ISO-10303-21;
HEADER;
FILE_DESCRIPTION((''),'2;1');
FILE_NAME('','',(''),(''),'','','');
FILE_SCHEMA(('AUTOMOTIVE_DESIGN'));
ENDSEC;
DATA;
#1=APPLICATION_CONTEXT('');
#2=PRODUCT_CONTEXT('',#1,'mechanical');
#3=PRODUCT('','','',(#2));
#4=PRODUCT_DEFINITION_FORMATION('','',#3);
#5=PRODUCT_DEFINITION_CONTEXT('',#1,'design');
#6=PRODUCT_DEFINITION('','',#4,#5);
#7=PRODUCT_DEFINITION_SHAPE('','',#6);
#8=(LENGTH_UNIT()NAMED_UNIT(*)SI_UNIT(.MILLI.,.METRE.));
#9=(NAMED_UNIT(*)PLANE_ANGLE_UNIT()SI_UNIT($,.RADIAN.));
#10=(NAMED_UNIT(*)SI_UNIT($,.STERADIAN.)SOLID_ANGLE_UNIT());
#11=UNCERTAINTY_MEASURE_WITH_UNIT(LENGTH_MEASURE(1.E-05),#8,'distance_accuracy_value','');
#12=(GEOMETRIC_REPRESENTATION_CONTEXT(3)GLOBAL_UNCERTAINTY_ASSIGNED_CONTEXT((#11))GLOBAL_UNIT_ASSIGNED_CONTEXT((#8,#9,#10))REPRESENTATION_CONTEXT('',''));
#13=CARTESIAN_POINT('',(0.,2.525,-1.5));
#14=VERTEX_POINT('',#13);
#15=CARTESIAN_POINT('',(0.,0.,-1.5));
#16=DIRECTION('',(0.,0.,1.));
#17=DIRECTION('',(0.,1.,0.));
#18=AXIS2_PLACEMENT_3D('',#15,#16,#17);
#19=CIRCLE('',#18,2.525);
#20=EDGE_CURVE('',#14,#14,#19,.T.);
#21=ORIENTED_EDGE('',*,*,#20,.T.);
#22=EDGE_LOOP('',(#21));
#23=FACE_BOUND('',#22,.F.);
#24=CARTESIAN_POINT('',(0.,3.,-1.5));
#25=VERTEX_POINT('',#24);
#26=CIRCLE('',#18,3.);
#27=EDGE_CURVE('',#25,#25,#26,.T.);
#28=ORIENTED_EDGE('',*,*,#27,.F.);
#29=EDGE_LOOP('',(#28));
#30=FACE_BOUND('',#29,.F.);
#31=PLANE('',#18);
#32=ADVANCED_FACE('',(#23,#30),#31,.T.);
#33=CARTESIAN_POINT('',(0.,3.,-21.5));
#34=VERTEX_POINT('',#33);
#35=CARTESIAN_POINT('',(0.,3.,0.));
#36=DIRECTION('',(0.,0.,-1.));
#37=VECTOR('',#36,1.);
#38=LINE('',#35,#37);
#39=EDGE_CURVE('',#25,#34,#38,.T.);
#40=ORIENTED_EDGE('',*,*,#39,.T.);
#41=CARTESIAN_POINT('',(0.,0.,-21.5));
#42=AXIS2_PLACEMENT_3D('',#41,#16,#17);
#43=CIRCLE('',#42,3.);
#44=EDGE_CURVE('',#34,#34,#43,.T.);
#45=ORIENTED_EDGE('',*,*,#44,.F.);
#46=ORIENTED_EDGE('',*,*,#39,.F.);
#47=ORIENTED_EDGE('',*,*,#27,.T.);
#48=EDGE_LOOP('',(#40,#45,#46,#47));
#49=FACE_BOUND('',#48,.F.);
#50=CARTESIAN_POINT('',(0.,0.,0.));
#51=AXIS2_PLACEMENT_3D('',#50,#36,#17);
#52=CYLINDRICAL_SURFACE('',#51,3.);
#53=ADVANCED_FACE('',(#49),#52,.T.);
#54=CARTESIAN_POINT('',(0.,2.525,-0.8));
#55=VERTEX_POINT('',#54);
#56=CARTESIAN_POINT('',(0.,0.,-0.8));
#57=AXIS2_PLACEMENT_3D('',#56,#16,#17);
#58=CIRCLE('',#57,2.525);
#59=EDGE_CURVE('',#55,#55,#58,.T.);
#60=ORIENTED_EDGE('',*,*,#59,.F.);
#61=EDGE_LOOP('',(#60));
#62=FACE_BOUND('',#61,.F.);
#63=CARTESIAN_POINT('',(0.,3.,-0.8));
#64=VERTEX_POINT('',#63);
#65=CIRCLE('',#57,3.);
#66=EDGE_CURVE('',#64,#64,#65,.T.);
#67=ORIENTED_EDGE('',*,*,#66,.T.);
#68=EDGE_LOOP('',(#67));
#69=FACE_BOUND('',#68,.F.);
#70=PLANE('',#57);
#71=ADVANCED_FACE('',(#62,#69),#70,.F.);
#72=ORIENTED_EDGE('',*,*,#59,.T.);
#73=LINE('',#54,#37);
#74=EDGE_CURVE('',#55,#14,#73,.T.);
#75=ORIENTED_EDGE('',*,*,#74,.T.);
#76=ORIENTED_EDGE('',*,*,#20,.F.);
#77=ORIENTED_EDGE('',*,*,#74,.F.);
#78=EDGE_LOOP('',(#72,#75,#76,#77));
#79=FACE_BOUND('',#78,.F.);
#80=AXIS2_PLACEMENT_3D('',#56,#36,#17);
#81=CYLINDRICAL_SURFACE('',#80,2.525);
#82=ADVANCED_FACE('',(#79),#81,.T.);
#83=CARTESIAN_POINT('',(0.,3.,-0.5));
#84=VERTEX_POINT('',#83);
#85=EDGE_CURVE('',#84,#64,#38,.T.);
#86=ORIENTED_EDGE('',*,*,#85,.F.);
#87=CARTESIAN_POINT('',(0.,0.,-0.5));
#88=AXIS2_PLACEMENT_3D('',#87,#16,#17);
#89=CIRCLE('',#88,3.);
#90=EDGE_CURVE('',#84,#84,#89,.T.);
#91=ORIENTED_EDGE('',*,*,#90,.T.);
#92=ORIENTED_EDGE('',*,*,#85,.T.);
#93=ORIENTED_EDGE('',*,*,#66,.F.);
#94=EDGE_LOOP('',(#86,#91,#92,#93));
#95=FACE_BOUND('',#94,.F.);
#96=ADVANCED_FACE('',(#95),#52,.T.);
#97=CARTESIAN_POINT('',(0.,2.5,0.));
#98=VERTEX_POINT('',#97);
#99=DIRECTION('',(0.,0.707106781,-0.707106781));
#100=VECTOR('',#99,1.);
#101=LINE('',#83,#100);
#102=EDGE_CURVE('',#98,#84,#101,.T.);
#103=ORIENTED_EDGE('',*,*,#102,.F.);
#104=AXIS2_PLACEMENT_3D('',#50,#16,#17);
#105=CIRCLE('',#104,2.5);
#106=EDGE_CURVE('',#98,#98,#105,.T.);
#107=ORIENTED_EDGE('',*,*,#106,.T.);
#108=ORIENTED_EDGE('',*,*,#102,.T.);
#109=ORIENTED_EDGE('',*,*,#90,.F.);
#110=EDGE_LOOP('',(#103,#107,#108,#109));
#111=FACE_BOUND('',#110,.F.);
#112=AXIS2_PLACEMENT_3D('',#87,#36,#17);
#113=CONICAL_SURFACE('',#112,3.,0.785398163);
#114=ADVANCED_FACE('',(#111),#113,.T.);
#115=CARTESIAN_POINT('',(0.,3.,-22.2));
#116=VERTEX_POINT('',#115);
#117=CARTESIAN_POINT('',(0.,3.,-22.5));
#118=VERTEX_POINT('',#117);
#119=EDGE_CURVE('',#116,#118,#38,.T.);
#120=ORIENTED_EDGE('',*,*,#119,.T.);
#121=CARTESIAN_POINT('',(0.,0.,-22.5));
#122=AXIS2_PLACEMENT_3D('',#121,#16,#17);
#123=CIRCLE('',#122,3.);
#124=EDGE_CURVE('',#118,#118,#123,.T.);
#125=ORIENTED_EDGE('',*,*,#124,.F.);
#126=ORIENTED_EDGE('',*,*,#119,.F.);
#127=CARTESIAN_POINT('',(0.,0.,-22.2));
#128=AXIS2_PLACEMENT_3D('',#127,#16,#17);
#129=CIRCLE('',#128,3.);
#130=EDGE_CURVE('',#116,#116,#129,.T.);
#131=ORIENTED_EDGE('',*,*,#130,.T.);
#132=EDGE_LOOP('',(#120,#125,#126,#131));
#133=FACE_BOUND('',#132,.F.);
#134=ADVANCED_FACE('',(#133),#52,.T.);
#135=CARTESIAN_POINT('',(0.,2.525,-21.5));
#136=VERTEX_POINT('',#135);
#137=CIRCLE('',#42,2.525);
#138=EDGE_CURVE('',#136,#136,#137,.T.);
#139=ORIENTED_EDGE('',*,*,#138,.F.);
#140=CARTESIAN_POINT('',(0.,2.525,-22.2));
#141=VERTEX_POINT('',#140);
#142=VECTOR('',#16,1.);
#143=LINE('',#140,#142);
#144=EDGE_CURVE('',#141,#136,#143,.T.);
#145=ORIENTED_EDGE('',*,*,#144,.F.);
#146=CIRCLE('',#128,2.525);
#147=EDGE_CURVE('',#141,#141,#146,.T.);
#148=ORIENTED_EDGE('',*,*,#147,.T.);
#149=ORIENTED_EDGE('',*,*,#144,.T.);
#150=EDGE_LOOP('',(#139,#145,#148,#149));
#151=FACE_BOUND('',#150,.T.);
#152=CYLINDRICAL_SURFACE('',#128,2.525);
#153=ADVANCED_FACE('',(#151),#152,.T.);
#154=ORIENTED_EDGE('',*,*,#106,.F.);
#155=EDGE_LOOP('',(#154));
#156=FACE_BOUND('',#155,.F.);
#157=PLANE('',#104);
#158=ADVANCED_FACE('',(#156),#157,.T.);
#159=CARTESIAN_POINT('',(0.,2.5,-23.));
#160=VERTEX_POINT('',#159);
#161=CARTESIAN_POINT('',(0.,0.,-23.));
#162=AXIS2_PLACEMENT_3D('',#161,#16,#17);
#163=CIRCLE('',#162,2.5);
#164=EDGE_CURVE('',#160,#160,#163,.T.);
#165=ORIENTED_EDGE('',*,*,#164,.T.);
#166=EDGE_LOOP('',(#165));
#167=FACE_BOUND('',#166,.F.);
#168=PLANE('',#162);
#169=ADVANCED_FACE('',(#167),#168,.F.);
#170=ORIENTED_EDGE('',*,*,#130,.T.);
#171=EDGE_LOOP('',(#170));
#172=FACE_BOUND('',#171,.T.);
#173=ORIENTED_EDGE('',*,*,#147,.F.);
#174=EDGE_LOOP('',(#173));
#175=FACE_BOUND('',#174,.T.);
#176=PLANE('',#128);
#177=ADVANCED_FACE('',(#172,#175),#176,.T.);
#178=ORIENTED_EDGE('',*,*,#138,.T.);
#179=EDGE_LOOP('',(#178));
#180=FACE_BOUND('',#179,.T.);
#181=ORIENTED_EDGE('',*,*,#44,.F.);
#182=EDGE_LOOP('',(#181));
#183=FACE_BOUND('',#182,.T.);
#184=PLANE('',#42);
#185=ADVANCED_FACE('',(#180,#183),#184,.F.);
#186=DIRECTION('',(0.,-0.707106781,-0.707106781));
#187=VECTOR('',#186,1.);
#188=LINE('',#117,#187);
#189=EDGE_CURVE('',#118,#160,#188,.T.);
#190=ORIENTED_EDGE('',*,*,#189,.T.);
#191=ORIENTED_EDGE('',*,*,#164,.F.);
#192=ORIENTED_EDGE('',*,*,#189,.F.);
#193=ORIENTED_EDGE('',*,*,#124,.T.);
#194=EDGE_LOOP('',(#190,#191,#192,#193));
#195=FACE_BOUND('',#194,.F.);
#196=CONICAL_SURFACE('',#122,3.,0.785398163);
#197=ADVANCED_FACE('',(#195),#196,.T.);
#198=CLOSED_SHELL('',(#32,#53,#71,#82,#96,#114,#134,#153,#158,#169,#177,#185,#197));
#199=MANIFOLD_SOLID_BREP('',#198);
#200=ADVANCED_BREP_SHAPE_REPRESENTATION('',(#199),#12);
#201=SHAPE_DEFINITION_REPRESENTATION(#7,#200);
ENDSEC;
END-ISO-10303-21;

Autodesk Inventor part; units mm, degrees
ref_plane "YZ Plane" through (0, 0, 0) normal (1, 0, 0) x (0, 1, 0)
ref_plane "XZ Plane" through (0, 0, 0) normal (0, 1, 0) x (-1, 0, 0)
ref_plane "XY Plane" through (0, 0, 0) normal (0, 0, 1) x (1, 0, 0)
sketch "Sketch1" plane through (0, 0, 0) normal (1, 0, 0) x (0, 1, 0)
  line L0 (0, 0) -> (3, 0)
  line L1 (3, 0) -> (3, -23)
  line L2 (3, -23) -> (0, -23)
  line L3 (0, -23) -> (0, 0)
  line L4 (3, -0.8) -> (2.525, -0.8)
  line L5 (2.525, -0.8) -> (2.525, -1.5)
  line L6 (2.525, -1.5) -> (3, -1.5)
  line L7 (3, -1.5) -> (3, -0.8)
  line L8 (3, -22.2) -> (2.525, -22.2)
  line L9 (2.525, -22.2) -> (2.525, -21.5)
  line L10 (2.525, -21.5) -> (3, -21.5)
  line L11 (3, -21.5) -> (3, -22.2)
  point P0 (2.525, -21.85)
  point P1 (3, -21.5)
  point P2 (1.5, -23)
  dimension "d0" = 6
  dimension "d1" = 20
  dimension "d4" = 0.7
  dimension "d5" = 0.7
  dimension "d6" = 5.05
  dimension "d11" = 23
  dimension "d12" = 0.8
revolve "Revolution1" add sketch "Sketch1" angle 360 about axis through (0, 0, -23) along (0, 0, 1) contours L0 L1 L4 L5 L6 L10 L9 L8 L2 L3
chamfer "Chamfer1" distance 0.5 angle 45 2 edges at (0, -3, 0) (0, -3, -23)
equation "\"d5\" = d4"
properties part number "rod pin_CPY"
